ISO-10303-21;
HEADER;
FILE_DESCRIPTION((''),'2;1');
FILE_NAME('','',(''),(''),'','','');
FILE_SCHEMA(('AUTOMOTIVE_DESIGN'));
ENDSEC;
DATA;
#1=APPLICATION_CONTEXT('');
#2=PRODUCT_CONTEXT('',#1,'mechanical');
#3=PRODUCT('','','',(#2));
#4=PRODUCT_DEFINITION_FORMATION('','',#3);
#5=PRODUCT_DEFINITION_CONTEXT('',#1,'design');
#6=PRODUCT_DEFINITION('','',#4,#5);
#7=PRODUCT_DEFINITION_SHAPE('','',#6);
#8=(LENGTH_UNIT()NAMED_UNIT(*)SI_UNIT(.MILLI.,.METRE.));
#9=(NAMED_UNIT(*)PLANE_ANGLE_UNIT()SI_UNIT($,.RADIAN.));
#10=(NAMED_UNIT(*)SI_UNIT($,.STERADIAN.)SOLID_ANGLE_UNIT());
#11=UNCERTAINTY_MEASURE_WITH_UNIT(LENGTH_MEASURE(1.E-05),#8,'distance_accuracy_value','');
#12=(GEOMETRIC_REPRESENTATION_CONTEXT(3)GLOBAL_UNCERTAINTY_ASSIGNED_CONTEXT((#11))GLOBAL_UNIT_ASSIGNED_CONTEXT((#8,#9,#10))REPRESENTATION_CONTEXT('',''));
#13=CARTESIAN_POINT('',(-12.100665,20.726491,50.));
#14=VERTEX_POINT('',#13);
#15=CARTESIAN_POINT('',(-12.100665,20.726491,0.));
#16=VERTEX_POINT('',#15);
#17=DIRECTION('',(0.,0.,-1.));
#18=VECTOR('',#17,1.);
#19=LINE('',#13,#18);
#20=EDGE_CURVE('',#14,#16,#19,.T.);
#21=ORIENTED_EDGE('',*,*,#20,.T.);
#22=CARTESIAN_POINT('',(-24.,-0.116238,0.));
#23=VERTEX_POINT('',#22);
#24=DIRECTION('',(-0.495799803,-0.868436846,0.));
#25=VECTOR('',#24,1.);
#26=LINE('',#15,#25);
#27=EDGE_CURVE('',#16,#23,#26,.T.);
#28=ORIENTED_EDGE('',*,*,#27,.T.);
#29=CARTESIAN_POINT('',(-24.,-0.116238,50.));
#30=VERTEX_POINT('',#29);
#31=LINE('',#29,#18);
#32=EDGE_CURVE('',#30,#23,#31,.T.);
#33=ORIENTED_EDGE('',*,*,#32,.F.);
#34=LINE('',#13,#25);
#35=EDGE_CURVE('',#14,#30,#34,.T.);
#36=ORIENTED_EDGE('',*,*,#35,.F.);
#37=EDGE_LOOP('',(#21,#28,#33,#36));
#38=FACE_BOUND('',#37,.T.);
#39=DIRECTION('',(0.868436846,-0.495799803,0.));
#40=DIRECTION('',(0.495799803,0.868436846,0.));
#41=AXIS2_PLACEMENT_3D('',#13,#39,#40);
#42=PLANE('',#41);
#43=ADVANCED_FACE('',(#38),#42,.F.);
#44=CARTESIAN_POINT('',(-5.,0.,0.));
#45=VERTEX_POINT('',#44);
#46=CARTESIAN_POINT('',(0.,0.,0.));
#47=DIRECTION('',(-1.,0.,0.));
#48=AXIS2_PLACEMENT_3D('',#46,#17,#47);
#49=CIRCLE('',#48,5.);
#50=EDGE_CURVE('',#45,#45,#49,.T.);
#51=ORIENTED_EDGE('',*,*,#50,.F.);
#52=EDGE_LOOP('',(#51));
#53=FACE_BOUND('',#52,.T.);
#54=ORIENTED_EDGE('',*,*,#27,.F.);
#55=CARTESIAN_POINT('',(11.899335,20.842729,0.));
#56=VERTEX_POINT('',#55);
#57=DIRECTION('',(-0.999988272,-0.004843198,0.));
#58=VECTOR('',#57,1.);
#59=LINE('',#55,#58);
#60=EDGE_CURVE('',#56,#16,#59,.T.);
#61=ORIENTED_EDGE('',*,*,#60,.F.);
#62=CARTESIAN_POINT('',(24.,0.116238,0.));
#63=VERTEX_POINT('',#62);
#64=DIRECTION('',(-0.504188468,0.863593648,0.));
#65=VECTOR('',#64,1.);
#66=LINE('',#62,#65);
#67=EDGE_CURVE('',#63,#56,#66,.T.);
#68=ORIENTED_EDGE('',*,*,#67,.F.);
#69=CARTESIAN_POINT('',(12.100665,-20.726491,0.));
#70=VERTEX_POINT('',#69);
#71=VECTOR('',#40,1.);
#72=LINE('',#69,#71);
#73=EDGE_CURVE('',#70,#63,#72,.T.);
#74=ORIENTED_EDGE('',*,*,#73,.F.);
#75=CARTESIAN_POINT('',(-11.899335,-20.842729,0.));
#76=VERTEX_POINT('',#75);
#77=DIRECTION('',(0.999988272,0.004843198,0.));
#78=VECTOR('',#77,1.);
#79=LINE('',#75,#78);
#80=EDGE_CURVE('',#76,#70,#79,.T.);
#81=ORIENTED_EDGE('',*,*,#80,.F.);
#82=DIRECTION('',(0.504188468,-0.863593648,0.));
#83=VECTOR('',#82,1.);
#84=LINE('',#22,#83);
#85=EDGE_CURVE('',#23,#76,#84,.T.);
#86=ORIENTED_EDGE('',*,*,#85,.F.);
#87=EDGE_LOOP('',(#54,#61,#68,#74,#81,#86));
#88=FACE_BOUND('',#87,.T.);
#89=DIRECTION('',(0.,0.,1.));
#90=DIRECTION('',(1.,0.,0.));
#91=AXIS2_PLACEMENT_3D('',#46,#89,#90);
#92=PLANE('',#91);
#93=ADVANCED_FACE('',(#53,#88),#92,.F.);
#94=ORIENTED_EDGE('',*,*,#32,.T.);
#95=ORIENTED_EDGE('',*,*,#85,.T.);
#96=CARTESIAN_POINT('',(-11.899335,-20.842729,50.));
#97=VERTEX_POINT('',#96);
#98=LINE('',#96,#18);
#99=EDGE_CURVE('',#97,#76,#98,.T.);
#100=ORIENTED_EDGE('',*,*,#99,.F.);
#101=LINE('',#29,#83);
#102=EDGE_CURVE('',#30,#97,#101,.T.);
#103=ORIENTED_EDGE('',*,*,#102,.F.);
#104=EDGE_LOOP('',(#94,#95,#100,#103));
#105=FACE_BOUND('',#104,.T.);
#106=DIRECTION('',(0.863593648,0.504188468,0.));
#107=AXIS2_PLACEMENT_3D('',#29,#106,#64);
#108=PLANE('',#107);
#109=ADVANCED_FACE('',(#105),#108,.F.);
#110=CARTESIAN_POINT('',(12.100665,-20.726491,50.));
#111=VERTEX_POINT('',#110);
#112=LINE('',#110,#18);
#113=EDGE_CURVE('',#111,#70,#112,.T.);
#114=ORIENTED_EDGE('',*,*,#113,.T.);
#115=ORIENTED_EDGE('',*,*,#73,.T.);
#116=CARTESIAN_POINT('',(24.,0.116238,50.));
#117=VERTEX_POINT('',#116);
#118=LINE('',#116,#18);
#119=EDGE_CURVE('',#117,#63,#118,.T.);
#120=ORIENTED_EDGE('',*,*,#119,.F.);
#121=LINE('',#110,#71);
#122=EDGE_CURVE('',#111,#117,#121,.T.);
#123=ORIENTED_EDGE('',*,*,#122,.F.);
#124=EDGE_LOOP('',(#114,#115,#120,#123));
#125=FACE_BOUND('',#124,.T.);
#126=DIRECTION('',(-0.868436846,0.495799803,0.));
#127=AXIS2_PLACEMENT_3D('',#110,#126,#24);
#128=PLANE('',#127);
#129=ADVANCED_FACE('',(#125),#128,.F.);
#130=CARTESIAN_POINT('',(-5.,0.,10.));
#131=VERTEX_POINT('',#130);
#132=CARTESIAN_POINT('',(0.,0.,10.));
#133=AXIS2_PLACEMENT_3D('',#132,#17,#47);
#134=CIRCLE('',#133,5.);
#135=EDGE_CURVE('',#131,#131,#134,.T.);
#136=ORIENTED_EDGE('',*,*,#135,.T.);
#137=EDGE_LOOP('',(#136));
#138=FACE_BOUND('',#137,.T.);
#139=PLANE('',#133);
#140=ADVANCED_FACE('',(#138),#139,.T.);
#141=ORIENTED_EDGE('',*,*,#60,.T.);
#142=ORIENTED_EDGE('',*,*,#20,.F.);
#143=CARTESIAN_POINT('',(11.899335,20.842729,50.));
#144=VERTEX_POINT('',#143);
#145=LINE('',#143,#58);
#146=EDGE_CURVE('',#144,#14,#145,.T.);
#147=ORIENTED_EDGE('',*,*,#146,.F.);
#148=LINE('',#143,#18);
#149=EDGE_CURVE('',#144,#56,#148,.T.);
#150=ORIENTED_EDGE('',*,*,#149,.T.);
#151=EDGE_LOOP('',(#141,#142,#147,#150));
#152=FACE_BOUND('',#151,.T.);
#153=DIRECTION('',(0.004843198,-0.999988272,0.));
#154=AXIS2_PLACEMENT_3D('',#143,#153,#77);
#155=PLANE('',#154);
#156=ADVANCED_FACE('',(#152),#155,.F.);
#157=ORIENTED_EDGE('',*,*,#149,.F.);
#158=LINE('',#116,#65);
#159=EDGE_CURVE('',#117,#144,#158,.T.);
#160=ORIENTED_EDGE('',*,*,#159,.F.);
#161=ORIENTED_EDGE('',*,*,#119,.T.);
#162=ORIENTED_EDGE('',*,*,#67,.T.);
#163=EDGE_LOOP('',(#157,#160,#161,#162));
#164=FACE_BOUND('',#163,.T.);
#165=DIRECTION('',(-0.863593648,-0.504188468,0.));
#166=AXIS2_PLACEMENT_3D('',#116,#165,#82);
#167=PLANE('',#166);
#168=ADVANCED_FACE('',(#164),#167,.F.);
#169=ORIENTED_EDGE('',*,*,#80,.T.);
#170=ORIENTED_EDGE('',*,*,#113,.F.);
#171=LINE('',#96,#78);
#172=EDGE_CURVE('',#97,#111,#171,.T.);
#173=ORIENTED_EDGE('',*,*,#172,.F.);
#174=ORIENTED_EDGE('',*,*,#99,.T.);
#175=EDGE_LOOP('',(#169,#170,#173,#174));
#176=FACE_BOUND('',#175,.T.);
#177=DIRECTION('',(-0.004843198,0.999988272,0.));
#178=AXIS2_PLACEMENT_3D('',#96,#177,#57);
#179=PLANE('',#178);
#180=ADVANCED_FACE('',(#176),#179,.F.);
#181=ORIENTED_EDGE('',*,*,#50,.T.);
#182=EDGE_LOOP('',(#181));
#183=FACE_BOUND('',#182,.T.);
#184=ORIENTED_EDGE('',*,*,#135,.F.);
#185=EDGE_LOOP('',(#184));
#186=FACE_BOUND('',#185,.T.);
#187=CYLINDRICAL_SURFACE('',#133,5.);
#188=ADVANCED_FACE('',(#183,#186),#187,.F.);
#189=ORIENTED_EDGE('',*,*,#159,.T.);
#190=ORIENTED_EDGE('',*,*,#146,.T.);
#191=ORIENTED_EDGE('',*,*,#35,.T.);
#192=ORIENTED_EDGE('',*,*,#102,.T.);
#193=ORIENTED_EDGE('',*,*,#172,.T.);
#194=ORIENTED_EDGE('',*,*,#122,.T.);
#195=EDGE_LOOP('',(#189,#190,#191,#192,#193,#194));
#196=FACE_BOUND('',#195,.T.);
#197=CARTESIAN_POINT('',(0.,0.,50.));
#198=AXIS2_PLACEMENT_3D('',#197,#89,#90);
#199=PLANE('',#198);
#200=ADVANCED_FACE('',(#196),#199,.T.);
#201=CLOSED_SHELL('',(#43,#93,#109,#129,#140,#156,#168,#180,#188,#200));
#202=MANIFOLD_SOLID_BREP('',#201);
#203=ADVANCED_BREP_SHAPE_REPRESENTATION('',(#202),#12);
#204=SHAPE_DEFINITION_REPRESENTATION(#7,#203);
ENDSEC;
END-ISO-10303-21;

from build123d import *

# Parameters (mm, degrees)
SALIENTE_EXTRUIR1_DEPTH = 50
CROQUIS3_R              = 5
CORTAR_EXTRUIR1_DEPTH   = 10


with BuildPart() as part:
    # Croquis2 → Saliente-Extruir1 (new body)
    with BuildSketch(Plane.XY):
        Polygon((12.100665165, -20.726490631), (24, 0.11623812), (11.899334835, 20.842728751), (-12.100665165, 20.726490631), (-24, -0.11623812), (-11.899334835, -20.842728751), align=None)
    extrude(amount=SALIENTE_EXTRUIR1_DEPTH)

    # Croquis3 → Cortar-Extruir1 (cut)
    with BuildSketch(Plane(origin=(0, 0, 0), x_dir=(-1, 0, 0), z_dir=(0, 0, -1))):
        Circle(CROQUIS3_R)
    extrude(amount=-CORTAR_EXTRUIR1_DEPTH, mode=Mode.SUBTRACT)


solid = part.part
